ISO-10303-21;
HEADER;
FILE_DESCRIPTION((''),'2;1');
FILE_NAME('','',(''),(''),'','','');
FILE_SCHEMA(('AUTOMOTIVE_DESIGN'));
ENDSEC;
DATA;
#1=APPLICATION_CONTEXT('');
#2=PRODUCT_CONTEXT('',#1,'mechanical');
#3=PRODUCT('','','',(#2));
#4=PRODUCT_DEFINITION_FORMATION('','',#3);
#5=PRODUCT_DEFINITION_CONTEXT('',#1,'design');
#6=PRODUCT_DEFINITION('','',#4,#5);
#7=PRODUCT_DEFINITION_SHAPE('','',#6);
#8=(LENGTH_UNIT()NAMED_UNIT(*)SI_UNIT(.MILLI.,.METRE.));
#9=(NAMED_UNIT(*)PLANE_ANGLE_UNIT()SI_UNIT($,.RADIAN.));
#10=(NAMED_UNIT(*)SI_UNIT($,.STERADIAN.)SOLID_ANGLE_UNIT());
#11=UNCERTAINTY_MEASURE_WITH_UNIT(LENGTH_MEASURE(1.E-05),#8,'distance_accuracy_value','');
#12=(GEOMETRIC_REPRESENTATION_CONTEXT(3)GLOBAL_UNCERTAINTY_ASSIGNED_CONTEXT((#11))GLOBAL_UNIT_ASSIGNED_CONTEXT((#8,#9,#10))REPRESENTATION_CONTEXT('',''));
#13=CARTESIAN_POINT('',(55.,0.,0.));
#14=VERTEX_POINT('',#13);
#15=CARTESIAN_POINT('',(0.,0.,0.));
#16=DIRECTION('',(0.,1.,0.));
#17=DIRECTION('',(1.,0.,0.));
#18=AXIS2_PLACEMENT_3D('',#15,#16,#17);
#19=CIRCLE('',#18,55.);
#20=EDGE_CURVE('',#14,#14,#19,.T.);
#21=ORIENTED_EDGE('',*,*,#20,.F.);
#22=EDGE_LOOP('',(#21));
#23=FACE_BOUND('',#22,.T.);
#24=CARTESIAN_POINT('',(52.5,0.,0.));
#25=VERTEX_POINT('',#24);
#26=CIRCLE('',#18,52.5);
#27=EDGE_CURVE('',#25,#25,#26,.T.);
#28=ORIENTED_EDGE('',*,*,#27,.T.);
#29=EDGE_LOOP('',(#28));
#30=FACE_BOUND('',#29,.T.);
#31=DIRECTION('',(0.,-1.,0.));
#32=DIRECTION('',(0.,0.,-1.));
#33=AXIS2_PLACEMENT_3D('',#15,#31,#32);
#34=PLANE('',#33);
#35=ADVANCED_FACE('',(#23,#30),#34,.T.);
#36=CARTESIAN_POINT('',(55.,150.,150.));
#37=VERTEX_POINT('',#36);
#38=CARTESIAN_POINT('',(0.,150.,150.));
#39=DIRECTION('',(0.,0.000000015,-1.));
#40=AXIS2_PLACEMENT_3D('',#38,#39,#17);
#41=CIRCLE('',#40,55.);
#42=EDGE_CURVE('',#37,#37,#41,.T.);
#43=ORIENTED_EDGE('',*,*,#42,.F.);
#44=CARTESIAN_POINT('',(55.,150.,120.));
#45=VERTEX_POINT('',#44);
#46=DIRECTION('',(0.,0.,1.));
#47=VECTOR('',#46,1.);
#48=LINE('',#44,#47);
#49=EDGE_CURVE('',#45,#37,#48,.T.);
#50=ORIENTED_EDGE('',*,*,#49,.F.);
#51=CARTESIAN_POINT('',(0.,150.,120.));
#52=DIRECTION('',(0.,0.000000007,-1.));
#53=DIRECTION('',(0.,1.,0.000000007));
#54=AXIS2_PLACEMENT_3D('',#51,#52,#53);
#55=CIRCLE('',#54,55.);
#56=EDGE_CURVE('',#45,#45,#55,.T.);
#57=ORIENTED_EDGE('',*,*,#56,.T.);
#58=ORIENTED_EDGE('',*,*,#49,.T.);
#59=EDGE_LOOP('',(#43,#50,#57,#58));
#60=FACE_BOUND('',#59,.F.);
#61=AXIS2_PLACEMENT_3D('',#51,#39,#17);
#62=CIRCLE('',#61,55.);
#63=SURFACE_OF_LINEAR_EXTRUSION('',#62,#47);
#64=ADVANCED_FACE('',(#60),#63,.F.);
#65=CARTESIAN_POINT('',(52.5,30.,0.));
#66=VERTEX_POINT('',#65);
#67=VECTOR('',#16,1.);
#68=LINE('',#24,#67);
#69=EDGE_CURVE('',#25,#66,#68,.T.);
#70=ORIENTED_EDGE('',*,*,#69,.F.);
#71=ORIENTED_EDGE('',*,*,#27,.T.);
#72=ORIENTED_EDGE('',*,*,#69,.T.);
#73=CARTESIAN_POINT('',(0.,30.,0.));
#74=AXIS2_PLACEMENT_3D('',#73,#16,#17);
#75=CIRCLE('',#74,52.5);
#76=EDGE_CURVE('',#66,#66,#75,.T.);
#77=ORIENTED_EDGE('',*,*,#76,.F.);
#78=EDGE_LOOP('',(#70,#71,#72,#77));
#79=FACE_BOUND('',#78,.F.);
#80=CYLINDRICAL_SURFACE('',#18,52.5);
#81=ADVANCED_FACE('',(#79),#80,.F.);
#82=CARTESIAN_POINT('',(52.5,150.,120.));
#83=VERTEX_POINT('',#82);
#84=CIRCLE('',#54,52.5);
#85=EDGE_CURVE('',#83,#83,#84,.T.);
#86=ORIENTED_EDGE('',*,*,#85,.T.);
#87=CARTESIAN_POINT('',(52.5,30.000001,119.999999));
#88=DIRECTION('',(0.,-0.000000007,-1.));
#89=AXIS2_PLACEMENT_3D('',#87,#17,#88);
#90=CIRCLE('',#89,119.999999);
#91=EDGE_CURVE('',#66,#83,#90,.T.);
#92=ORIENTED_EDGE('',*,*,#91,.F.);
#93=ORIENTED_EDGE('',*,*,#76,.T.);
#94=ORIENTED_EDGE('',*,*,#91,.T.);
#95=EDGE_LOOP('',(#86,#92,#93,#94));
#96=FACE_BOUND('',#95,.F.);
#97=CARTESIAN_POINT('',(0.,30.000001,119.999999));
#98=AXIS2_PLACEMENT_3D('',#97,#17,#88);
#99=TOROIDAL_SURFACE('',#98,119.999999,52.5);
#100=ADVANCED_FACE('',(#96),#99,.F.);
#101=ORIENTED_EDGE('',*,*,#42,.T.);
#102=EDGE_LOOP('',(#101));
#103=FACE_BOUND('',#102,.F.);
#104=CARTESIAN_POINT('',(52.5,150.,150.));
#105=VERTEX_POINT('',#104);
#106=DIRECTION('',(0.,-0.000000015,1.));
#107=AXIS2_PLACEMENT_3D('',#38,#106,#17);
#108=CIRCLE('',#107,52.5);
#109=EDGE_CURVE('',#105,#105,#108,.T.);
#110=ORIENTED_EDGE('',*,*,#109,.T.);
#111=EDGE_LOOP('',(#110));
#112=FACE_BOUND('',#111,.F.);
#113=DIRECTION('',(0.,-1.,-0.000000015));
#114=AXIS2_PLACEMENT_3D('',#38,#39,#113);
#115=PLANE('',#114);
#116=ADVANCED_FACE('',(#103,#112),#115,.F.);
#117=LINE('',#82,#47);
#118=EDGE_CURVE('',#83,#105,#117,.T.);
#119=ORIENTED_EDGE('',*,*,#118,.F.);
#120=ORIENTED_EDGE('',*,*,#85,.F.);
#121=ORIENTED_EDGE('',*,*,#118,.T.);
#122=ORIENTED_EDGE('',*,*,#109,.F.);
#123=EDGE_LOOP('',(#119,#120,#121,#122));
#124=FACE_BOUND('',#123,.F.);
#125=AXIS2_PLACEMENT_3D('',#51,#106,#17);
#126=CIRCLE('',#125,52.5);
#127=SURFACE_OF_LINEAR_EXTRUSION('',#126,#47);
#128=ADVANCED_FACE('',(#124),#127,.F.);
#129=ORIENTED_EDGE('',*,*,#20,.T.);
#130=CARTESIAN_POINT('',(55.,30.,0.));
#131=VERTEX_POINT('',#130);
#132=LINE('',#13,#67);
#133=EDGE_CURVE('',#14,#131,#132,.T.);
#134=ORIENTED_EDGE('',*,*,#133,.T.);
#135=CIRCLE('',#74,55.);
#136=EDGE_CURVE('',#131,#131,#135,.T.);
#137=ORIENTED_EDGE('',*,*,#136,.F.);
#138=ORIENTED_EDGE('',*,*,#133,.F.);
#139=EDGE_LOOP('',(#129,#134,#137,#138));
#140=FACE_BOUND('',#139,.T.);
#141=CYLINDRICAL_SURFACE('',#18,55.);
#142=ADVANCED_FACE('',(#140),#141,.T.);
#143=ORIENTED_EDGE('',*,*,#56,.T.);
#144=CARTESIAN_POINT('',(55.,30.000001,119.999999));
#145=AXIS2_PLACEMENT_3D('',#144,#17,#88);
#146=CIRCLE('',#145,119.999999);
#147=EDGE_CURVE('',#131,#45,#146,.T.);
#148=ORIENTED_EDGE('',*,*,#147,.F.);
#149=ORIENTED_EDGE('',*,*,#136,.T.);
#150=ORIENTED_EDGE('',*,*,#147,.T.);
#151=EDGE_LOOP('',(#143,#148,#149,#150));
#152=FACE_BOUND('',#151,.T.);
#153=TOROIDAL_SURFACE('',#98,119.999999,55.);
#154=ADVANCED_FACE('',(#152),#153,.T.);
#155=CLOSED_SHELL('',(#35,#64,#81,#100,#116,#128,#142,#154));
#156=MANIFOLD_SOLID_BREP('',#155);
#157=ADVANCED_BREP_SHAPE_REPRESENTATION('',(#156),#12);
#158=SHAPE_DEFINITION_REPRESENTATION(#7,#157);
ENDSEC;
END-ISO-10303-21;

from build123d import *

# Parameters (mm, degrees)
F0_R   = 55
F0_R_2 = 52.5


with BuildPart() as f2:
    # F2: sweep along a path in F1
    with BuildLine(Plane.YZ) as f2_path:
        Line((0, 0), (30, 0))
        ThreePointArc((30, 0), (114.852814, 35.147186), (150, 120))
        Line((150, 120), (150, 150))
    # F0 (on Front) → F2 (sweep)
    with BuildSketch(Plane.XZ):
        Circle(F0_R)
        Circle(F0_R_2, mode=Mode.SUBTRACT)
    sweep(path=f2_path.line)


solid = f2.part
